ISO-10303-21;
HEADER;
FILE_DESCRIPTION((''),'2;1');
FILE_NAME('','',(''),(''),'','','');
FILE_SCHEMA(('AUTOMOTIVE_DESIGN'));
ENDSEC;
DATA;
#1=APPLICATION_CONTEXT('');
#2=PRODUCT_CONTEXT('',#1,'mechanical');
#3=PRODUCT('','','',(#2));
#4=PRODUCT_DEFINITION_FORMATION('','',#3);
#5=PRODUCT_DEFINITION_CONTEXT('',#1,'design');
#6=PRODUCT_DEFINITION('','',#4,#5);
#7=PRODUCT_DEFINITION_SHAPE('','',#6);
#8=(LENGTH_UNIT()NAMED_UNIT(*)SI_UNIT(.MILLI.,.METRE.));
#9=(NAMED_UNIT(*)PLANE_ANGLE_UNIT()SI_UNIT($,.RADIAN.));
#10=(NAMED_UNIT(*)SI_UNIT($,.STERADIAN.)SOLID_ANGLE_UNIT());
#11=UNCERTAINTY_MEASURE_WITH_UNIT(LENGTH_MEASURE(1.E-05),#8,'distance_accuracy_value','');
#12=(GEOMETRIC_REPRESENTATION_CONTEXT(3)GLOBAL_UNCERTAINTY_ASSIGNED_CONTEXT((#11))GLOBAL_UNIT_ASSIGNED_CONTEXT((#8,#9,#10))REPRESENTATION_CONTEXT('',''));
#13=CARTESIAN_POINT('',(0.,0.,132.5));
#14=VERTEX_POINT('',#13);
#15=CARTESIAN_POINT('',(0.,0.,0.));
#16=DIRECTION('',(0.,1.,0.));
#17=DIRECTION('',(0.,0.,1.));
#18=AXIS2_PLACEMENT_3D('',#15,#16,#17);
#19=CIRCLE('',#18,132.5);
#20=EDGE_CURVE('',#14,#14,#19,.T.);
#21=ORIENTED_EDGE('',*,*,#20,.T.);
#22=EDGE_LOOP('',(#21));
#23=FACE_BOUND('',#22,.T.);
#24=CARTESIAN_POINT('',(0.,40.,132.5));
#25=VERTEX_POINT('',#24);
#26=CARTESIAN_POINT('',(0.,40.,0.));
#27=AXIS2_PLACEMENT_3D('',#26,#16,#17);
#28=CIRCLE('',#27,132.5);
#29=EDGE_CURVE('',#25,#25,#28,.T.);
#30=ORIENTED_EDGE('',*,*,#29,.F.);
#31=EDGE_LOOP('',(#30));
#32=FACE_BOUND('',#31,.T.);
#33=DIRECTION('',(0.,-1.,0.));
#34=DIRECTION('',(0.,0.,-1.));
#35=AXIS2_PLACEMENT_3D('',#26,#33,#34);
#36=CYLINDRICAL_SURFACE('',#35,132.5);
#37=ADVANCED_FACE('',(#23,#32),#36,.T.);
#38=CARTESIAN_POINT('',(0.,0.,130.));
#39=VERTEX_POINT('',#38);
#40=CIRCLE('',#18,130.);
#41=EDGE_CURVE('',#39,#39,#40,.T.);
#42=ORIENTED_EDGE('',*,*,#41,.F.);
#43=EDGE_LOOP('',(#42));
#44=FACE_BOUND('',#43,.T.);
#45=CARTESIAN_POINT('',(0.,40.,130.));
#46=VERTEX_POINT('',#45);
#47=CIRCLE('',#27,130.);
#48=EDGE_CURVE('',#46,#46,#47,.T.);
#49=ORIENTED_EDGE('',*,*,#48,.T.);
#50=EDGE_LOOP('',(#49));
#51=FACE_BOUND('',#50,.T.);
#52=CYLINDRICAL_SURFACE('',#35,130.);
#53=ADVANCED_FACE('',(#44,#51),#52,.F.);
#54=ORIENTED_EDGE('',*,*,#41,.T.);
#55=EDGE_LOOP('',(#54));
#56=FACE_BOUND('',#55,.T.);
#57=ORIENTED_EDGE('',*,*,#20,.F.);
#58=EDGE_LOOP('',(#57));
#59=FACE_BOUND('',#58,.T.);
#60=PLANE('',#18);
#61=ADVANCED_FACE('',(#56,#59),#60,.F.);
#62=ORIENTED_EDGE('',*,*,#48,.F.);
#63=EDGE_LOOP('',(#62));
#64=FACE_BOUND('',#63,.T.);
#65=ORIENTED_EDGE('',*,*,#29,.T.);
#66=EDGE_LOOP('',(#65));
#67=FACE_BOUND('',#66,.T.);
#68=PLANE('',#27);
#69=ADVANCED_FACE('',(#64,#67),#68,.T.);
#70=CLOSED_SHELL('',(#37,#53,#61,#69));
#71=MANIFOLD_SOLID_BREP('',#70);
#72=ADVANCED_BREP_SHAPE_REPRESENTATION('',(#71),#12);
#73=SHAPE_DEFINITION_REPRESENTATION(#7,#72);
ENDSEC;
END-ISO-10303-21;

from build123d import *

# Parameters (mm, degrees)
SKETCH1_R           = 132.5
SKETCH1_R_2         = 130
BOSS_EXTRUDE1_DEPTH = 40


with BuildPart() as part:
    # Sketch1 → Boss-Extrude1 (new body)
    with BuildSketch(Plane(origin=(0, 0, 0), x_dir=(1, 0, 0), z_dir=(0, 1, 0))):
        Circle(SKETCH1_R)
        Circle(SKETCH1_R_2, mode=Mode.SUBTRACT)
    extrude(amount=BOSS_EXTRUDE1_DEPTH)


solid = part.part
